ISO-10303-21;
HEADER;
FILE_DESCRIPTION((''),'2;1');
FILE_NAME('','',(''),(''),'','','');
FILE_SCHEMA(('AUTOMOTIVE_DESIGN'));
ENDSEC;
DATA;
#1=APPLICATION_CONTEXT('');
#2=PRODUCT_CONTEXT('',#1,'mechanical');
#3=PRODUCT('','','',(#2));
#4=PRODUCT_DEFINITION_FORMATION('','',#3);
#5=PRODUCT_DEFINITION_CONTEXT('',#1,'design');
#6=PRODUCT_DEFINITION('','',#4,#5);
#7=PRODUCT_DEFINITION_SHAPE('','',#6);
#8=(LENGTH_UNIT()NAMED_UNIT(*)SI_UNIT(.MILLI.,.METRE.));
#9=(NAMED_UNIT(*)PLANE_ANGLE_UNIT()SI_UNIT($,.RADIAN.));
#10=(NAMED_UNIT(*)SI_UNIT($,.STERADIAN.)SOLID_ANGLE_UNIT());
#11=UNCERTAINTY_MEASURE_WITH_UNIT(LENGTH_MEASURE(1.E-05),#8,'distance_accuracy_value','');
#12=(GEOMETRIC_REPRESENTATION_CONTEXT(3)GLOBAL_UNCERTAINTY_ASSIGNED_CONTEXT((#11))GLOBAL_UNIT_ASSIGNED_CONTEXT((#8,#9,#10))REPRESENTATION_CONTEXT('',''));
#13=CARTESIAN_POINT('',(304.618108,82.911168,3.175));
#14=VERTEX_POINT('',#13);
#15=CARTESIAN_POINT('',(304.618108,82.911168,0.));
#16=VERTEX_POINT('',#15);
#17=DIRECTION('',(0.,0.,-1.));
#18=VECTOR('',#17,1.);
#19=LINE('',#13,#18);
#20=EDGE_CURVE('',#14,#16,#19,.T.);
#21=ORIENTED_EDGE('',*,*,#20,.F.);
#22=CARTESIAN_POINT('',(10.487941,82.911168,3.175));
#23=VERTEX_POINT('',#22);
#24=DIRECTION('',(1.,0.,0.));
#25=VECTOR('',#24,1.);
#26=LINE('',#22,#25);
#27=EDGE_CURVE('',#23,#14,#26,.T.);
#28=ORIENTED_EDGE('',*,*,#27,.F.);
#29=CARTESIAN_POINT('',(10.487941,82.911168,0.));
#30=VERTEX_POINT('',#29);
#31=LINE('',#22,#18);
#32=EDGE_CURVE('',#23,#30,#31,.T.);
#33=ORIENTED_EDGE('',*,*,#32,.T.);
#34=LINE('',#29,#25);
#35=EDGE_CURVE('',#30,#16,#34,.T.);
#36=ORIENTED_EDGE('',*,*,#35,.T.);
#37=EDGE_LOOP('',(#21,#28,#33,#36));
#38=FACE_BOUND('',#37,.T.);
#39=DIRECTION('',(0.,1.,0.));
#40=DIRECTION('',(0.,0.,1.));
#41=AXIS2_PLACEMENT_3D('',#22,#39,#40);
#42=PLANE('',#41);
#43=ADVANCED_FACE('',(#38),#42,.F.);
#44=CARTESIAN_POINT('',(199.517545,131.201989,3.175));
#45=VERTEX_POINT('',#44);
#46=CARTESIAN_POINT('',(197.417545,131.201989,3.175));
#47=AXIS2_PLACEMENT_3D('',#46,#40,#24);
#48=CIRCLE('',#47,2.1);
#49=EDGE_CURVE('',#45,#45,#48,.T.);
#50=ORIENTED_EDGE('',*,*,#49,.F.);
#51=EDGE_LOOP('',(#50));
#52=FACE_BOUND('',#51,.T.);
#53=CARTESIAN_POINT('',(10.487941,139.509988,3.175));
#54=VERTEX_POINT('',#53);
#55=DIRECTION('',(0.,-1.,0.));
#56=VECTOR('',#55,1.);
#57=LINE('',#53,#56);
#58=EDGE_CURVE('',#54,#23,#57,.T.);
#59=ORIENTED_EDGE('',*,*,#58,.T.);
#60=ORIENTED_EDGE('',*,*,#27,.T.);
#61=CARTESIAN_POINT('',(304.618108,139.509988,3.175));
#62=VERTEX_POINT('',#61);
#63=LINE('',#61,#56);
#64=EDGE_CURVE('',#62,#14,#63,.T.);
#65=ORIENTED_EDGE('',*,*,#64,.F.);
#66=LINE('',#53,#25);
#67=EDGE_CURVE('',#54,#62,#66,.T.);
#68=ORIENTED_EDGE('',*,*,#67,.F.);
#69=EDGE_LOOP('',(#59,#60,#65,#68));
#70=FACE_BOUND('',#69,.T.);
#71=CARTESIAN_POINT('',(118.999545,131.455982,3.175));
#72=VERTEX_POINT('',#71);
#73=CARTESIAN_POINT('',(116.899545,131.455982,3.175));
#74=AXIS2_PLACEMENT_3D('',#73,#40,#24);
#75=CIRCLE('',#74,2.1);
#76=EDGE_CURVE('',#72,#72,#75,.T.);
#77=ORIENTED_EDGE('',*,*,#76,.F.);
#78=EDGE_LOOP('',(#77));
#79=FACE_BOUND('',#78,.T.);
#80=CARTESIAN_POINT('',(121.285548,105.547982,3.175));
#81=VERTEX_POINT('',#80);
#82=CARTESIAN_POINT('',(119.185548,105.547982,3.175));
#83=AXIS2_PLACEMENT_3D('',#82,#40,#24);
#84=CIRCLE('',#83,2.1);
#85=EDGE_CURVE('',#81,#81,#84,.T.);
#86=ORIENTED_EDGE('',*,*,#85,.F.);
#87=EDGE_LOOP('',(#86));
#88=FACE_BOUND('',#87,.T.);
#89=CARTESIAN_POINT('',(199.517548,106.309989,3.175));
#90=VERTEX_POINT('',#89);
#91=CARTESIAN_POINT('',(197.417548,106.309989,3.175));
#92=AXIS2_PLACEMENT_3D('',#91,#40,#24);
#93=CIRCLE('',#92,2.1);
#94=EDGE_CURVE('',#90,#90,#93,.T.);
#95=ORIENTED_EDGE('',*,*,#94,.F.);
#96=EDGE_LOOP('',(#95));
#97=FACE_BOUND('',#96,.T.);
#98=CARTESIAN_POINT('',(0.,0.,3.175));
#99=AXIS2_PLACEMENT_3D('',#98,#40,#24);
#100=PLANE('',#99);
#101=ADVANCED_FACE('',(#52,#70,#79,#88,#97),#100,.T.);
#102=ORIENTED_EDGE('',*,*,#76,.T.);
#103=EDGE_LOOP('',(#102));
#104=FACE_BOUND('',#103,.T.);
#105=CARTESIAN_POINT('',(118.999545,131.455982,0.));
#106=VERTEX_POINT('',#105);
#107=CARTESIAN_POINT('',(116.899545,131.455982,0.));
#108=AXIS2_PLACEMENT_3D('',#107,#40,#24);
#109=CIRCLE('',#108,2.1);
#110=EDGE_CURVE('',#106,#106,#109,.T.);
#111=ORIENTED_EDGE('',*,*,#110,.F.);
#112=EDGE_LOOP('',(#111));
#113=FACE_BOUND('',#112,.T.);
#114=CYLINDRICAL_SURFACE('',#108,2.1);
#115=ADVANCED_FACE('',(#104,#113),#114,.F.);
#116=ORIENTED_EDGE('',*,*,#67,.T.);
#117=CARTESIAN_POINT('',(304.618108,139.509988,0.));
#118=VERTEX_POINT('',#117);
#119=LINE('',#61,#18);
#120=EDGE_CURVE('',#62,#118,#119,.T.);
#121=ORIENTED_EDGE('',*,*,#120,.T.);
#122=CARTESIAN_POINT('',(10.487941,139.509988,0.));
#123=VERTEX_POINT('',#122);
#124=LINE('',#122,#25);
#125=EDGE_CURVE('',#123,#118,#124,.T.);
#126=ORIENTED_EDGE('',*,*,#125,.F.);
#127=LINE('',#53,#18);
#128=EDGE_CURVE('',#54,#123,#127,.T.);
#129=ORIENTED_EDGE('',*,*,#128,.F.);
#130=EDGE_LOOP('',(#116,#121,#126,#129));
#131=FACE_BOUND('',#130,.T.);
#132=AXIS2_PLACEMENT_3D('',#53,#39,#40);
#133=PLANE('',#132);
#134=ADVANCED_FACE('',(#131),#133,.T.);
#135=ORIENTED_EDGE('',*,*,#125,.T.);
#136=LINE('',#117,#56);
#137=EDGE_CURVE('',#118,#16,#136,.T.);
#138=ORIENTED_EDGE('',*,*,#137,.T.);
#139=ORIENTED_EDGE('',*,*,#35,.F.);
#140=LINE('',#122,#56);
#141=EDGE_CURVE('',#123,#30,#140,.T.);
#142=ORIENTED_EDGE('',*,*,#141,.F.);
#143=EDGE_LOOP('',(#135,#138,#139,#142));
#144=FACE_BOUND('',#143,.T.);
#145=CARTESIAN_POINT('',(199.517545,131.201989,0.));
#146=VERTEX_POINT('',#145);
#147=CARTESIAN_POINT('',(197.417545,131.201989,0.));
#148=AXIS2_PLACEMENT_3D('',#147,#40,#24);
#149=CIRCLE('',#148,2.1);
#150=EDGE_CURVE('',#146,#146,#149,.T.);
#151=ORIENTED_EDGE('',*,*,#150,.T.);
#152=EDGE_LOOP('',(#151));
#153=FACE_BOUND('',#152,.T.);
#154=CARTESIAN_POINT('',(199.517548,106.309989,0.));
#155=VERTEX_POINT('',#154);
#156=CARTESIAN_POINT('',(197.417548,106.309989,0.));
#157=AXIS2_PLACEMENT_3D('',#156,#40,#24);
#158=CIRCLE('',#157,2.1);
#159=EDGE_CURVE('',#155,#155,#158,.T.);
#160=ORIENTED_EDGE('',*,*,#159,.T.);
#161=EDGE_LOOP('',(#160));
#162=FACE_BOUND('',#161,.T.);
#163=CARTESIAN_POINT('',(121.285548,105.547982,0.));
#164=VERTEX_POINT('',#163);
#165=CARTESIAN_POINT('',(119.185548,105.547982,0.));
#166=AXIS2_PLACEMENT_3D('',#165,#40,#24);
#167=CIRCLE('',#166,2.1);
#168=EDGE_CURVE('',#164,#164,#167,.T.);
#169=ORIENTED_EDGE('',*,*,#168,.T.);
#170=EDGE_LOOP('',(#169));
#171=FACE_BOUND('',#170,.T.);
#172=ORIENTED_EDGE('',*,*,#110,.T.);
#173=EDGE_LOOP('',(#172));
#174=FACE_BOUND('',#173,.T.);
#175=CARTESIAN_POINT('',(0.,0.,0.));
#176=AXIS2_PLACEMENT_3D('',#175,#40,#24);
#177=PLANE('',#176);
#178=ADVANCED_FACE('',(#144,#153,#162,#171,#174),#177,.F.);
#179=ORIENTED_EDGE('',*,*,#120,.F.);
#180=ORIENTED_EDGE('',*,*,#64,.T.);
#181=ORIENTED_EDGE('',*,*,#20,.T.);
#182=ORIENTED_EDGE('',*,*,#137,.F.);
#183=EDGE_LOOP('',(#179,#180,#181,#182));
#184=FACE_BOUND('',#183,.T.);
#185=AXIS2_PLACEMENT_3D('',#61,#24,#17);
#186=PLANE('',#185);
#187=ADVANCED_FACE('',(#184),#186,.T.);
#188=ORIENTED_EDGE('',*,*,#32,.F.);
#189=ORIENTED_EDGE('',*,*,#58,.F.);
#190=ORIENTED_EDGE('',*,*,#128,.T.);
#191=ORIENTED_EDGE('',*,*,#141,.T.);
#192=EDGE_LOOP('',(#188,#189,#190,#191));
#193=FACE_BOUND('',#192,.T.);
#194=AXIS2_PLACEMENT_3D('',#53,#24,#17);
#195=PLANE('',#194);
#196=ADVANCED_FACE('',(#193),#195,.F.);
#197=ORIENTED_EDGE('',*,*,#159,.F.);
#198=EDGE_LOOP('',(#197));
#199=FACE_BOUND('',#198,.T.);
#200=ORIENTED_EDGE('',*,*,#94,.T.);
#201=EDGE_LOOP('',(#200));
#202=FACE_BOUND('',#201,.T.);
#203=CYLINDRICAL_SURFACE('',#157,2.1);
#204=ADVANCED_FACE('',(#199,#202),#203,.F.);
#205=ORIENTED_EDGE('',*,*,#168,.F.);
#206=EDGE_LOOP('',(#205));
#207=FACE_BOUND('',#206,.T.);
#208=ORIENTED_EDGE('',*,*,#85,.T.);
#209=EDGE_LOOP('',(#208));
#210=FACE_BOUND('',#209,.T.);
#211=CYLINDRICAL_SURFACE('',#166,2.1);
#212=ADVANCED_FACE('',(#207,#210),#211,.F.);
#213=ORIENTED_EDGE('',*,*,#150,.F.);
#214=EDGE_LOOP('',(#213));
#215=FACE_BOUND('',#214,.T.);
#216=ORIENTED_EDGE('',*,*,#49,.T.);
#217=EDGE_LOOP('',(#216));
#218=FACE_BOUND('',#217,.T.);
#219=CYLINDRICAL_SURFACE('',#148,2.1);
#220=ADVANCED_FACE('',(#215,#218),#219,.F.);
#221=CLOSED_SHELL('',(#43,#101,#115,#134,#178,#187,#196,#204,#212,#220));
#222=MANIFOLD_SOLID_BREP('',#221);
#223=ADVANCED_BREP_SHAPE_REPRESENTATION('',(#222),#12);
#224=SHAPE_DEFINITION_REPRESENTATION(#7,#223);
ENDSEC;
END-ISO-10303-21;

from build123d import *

# Parameters (mm, degrees)
SKETCH1_W           = 294.13016612
SKETCH1_H           = 56.59882
BOSS_EXTRUDE1_DEPTH = 3.175
SKETCH2_R           = 2.1
CUT_EXTRUDE1_DEPTH  = 4.175


with BuildPart() as part:
    # Sketch1 → Boss-Extrude1 (new body)
    with BuildSketch(Plane.XY):
        with Locations((157.553024493, 111.210577818)):
            Rectangle(SKETCH1_W, SKETCH1_H)
    extrude(amount=BOSS_EXTRUDE1_DEPTH)

    # Sketch2 → Cut-Extrude1 (cut, through all)
    with BuildSketch(Plane.XY.offset(3.175)):
        with Locations((197.417545464, 131.201988784)):
            Circle(SKETCH2_R)
        with Locations((116.899545441, 131.455981745)):
            Circle(SKETCH2_R)
        with Locations((119.185547706, 105.547981945)):
            Circle(SKETCH2_R)
        with Locations((197.41754764, 106.309988784)):
            Circle(SKETCH2_R)
    extrude(amount=-CUT_EXTRUDE1_DEPTH, mode=Mode.SUBTRACT)


solid = part.part
